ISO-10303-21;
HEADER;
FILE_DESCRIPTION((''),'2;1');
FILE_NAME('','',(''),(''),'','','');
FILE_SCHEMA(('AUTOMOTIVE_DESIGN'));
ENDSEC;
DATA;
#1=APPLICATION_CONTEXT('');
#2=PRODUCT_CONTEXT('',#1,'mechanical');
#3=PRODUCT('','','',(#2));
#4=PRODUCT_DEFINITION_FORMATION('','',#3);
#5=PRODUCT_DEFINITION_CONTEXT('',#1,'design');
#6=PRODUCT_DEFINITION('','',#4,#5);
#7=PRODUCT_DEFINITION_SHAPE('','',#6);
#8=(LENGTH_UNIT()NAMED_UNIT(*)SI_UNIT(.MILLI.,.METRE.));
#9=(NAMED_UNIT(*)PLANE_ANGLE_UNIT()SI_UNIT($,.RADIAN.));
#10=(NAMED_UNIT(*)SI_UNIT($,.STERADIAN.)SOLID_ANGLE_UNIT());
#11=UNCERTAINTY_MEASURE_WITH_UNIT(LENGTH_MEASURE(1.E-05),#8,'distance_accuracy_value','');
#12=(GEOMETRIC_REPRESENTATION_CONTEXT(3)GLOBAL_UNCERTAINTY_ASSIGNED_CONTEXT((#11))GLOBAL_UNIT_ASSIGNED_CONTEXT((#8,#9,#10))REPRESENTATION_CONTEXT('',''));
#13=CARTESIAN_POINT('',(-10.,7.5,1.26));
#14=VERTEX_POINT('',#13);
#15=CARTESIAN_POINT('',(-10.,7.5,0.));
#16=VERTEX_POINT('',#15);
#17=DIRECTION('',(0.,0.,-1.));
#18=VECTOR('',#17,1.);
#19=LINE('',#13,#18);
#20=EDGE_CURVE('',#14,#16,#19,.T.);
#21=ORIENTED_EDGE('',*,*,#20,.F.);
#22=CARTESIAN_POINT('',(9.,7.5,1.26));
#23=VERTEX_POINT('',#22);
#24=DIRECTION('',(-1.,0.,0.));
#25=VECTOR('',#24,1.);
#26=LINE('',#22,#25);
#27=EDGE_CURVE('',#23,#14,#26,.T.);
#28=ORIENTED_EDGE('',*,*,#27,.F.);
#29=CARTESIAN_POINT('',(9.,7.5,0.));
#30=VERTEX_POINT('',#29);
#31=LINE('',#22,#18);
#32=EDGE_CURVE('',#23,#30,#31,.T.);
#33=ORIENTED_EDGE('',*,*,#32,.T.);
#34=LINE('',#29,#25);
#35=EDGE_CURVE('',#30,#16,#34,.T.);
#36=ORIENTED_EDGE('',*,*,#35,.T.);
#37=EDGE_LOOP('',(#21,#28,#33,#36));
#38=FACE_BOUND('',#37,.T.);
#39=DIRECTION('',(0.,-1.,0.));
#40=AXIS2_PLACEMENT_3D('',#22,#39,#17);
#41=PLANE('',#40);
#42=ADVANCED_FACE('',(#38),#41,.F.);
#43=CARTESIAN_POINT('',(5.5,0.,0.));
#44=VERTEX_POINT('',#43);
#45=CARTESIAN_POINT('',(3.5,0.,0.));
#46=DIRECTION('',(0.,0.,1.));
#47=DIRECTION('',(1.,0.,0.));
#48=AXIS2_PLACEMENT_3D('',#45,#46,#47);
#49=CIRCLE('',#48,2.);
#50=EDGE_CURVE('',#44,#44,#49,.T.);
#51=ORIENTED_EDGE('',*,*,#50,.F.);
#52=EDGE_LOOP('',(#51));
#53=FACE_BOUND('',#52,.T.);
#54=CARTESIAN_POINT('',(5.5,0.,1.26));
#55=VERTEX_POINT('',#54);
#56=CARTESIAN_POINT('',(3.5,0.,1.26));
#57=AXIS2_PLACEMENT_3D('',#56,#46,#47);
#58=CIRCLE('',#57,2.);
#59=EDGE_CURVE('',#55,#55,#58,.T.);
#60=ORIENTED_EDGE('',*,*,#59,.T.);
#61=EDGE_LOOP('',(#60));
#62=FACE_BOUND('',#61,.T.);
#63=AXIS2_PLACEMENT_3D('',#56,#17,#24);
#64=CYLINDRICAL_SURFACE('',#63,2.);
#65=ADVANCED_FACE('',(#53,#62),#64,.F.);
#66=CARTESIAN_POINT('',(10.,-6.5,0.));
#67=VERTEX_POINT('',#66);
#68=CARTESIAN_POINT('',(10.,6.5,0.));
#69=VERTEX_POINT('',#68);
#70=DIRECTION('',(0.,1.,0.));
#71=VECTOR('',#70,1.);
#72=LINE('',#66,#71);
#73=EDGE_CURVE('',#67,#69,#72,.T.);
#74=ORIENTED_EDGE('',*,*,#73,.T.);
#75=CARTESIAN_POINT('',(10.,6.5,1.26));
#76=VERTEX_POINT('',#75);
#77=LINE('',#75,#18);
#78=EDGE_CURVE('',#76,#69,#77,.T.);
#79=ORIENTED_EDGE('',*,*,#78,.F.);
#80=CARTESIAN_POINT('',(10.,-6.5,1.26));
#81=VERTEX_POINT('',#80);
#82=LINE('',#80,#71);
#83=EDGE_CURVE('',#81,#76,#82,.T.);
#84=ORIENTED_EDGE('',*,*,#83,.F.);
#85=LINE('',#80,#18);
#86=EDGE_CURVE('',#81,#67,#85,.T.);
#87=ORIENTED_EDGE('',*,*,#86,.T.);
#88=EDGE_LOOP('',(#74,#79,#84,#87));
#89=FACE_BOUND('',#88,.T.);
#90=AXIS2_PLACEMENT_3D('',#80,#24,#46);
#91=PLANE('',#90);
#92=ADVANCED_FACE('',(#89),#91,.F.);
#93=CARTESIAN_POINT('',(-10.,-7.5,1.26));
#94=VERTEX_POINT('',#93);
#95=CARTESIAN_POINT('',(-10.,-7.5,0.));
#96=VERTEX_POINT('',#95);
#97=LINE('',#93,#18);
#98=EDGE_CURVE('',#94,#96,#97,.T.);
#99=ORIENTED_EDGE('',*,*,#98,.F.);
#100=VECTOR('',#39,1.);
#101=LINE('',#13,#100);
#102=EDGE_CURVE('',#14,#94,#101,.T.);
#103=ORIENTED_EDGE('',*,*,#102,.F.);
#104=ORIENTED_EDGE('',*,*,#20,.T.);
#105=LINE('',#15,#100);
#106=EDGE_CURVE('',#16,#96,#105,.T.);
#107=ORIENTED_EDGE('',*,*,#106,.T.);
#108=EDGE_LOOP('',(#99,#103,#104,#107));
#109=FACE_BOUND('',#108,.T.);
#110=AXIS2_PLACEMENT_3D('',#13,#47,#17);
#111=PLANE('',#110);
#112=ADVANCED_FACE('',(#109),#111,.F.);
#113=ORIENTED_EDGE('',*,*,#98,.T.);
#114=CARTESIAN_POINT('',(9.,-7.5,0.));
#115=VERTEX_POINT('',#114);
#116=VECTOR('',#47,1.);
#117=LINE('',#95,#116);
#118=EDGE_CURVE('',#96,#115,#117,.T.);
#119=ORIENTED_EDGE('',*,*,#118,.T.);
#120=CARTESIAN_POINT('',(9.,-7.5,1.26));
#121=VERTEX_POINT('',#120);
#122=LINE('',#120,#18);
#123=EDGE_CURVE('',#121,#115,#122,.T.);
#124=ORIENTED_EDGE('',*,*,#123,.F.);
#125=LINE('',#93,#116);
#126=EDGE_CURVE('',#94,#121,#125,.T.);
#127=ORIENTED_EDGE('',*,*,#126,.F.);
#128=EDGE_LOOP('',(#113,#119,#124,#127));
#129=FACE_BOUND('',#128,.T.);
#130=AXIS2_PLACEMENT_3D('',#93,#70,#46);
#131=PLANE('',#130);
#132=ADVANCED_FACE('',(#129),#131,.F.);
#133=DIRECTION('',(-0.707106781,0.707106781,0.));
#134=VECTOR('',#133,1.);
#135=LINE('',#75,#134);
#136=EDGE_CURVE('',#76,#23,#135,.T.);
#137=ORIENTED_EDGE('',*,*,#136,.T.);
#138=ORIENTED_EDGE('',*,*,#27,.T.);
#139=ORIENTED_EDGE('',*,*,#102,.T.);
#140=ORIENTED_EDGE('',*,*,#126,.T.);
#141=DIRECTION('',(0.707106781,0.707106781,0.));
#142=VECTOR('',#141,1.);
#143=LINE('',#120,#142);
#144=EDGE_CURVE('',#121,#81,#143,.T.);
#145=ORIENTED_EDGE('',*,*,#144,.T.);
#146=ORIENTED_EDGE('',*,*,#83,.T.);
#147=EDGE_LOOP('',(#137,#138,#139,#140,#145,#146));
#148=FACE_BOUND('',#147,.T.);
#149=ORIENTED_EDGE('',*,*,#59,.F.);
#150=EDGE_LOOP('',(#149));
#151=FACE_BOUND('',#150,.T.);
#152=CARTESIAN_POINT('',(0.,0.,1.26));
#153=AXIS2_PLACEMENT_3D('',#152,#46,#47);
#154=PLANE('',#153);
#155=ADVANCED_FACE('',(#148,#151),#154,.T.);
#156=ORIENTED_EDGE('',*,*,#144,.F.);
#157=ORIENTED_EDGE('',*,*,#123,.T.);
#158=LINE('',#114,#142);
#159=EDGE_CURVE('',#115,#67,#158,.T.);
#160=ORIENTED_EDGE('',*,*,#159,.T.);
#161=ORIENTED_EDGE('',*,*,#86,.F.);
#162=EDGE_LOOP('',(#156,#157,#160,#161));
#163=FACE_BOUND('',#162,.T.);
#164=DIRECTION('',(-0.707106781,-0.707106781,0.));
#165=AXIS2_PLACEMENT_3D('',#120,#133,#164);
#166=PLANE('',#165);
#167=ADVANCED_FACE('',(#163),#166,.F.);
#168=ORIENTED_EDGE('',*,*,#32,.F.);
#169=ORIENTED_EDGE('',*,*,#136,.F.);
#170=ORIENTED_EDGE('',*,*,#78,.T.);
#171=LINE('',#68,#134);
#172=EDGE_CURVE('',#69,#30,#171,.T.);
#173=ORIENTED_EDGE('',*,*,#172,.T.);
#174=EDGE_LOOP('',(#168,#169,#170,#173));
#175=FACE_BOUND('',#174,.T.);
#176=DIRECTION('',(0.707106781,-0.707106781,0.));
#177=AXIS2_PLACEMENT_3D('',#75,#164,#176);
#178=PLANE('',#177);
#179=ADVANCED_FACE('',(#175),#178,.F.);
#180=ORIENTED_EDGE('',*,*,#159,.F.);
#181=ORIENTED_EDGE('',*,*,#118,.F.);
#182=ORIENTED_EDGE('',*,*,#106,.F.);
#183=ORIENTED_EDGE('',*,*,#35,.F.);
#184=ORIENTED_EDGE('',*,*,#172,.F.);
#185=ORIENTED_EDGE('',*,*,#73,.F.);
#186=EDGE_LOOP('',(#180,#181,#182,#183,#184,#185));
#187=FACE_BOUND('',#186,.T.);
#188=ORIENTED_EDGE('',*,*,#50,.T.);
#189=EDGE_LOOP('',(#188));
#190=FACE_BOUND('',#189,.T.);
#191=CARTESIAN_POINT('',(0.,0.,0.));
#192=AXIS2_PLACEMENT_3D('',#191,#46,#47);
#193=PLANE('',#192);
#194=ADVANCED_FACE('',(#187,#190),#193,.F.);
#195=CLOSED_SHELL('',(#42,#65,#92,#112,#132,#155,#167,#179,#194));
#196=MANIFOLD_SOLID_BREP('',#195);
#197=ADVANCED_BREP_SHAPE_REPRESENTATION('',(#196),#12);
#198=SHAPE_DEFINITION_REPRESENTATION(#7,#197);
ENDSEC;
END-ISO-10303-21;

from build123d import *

# Parameters (mm, degrees)
ESBO_O1_R                = 2
RESSALTO_EXTRUS_O1_DEPTH = 1.26


with BuildPart() as part:
    # Esboço1 → Ressalto-extrusão1 (new body)
    with BuildSketch(Plane.XY):
        Polygon((10, -6.5), (10, 6.5), (9, 7.5), (-10, 7.5), (-10, -7.5), (9, -7.5), align=None)
        with Locations((3.5, 0)):
            Circle(ESBO_O1_R, mode=Mode.SUBTRACT)
    extrude(amount=RESSALTO_EXTRUS_O1_DEPTH)


solid = part.part
